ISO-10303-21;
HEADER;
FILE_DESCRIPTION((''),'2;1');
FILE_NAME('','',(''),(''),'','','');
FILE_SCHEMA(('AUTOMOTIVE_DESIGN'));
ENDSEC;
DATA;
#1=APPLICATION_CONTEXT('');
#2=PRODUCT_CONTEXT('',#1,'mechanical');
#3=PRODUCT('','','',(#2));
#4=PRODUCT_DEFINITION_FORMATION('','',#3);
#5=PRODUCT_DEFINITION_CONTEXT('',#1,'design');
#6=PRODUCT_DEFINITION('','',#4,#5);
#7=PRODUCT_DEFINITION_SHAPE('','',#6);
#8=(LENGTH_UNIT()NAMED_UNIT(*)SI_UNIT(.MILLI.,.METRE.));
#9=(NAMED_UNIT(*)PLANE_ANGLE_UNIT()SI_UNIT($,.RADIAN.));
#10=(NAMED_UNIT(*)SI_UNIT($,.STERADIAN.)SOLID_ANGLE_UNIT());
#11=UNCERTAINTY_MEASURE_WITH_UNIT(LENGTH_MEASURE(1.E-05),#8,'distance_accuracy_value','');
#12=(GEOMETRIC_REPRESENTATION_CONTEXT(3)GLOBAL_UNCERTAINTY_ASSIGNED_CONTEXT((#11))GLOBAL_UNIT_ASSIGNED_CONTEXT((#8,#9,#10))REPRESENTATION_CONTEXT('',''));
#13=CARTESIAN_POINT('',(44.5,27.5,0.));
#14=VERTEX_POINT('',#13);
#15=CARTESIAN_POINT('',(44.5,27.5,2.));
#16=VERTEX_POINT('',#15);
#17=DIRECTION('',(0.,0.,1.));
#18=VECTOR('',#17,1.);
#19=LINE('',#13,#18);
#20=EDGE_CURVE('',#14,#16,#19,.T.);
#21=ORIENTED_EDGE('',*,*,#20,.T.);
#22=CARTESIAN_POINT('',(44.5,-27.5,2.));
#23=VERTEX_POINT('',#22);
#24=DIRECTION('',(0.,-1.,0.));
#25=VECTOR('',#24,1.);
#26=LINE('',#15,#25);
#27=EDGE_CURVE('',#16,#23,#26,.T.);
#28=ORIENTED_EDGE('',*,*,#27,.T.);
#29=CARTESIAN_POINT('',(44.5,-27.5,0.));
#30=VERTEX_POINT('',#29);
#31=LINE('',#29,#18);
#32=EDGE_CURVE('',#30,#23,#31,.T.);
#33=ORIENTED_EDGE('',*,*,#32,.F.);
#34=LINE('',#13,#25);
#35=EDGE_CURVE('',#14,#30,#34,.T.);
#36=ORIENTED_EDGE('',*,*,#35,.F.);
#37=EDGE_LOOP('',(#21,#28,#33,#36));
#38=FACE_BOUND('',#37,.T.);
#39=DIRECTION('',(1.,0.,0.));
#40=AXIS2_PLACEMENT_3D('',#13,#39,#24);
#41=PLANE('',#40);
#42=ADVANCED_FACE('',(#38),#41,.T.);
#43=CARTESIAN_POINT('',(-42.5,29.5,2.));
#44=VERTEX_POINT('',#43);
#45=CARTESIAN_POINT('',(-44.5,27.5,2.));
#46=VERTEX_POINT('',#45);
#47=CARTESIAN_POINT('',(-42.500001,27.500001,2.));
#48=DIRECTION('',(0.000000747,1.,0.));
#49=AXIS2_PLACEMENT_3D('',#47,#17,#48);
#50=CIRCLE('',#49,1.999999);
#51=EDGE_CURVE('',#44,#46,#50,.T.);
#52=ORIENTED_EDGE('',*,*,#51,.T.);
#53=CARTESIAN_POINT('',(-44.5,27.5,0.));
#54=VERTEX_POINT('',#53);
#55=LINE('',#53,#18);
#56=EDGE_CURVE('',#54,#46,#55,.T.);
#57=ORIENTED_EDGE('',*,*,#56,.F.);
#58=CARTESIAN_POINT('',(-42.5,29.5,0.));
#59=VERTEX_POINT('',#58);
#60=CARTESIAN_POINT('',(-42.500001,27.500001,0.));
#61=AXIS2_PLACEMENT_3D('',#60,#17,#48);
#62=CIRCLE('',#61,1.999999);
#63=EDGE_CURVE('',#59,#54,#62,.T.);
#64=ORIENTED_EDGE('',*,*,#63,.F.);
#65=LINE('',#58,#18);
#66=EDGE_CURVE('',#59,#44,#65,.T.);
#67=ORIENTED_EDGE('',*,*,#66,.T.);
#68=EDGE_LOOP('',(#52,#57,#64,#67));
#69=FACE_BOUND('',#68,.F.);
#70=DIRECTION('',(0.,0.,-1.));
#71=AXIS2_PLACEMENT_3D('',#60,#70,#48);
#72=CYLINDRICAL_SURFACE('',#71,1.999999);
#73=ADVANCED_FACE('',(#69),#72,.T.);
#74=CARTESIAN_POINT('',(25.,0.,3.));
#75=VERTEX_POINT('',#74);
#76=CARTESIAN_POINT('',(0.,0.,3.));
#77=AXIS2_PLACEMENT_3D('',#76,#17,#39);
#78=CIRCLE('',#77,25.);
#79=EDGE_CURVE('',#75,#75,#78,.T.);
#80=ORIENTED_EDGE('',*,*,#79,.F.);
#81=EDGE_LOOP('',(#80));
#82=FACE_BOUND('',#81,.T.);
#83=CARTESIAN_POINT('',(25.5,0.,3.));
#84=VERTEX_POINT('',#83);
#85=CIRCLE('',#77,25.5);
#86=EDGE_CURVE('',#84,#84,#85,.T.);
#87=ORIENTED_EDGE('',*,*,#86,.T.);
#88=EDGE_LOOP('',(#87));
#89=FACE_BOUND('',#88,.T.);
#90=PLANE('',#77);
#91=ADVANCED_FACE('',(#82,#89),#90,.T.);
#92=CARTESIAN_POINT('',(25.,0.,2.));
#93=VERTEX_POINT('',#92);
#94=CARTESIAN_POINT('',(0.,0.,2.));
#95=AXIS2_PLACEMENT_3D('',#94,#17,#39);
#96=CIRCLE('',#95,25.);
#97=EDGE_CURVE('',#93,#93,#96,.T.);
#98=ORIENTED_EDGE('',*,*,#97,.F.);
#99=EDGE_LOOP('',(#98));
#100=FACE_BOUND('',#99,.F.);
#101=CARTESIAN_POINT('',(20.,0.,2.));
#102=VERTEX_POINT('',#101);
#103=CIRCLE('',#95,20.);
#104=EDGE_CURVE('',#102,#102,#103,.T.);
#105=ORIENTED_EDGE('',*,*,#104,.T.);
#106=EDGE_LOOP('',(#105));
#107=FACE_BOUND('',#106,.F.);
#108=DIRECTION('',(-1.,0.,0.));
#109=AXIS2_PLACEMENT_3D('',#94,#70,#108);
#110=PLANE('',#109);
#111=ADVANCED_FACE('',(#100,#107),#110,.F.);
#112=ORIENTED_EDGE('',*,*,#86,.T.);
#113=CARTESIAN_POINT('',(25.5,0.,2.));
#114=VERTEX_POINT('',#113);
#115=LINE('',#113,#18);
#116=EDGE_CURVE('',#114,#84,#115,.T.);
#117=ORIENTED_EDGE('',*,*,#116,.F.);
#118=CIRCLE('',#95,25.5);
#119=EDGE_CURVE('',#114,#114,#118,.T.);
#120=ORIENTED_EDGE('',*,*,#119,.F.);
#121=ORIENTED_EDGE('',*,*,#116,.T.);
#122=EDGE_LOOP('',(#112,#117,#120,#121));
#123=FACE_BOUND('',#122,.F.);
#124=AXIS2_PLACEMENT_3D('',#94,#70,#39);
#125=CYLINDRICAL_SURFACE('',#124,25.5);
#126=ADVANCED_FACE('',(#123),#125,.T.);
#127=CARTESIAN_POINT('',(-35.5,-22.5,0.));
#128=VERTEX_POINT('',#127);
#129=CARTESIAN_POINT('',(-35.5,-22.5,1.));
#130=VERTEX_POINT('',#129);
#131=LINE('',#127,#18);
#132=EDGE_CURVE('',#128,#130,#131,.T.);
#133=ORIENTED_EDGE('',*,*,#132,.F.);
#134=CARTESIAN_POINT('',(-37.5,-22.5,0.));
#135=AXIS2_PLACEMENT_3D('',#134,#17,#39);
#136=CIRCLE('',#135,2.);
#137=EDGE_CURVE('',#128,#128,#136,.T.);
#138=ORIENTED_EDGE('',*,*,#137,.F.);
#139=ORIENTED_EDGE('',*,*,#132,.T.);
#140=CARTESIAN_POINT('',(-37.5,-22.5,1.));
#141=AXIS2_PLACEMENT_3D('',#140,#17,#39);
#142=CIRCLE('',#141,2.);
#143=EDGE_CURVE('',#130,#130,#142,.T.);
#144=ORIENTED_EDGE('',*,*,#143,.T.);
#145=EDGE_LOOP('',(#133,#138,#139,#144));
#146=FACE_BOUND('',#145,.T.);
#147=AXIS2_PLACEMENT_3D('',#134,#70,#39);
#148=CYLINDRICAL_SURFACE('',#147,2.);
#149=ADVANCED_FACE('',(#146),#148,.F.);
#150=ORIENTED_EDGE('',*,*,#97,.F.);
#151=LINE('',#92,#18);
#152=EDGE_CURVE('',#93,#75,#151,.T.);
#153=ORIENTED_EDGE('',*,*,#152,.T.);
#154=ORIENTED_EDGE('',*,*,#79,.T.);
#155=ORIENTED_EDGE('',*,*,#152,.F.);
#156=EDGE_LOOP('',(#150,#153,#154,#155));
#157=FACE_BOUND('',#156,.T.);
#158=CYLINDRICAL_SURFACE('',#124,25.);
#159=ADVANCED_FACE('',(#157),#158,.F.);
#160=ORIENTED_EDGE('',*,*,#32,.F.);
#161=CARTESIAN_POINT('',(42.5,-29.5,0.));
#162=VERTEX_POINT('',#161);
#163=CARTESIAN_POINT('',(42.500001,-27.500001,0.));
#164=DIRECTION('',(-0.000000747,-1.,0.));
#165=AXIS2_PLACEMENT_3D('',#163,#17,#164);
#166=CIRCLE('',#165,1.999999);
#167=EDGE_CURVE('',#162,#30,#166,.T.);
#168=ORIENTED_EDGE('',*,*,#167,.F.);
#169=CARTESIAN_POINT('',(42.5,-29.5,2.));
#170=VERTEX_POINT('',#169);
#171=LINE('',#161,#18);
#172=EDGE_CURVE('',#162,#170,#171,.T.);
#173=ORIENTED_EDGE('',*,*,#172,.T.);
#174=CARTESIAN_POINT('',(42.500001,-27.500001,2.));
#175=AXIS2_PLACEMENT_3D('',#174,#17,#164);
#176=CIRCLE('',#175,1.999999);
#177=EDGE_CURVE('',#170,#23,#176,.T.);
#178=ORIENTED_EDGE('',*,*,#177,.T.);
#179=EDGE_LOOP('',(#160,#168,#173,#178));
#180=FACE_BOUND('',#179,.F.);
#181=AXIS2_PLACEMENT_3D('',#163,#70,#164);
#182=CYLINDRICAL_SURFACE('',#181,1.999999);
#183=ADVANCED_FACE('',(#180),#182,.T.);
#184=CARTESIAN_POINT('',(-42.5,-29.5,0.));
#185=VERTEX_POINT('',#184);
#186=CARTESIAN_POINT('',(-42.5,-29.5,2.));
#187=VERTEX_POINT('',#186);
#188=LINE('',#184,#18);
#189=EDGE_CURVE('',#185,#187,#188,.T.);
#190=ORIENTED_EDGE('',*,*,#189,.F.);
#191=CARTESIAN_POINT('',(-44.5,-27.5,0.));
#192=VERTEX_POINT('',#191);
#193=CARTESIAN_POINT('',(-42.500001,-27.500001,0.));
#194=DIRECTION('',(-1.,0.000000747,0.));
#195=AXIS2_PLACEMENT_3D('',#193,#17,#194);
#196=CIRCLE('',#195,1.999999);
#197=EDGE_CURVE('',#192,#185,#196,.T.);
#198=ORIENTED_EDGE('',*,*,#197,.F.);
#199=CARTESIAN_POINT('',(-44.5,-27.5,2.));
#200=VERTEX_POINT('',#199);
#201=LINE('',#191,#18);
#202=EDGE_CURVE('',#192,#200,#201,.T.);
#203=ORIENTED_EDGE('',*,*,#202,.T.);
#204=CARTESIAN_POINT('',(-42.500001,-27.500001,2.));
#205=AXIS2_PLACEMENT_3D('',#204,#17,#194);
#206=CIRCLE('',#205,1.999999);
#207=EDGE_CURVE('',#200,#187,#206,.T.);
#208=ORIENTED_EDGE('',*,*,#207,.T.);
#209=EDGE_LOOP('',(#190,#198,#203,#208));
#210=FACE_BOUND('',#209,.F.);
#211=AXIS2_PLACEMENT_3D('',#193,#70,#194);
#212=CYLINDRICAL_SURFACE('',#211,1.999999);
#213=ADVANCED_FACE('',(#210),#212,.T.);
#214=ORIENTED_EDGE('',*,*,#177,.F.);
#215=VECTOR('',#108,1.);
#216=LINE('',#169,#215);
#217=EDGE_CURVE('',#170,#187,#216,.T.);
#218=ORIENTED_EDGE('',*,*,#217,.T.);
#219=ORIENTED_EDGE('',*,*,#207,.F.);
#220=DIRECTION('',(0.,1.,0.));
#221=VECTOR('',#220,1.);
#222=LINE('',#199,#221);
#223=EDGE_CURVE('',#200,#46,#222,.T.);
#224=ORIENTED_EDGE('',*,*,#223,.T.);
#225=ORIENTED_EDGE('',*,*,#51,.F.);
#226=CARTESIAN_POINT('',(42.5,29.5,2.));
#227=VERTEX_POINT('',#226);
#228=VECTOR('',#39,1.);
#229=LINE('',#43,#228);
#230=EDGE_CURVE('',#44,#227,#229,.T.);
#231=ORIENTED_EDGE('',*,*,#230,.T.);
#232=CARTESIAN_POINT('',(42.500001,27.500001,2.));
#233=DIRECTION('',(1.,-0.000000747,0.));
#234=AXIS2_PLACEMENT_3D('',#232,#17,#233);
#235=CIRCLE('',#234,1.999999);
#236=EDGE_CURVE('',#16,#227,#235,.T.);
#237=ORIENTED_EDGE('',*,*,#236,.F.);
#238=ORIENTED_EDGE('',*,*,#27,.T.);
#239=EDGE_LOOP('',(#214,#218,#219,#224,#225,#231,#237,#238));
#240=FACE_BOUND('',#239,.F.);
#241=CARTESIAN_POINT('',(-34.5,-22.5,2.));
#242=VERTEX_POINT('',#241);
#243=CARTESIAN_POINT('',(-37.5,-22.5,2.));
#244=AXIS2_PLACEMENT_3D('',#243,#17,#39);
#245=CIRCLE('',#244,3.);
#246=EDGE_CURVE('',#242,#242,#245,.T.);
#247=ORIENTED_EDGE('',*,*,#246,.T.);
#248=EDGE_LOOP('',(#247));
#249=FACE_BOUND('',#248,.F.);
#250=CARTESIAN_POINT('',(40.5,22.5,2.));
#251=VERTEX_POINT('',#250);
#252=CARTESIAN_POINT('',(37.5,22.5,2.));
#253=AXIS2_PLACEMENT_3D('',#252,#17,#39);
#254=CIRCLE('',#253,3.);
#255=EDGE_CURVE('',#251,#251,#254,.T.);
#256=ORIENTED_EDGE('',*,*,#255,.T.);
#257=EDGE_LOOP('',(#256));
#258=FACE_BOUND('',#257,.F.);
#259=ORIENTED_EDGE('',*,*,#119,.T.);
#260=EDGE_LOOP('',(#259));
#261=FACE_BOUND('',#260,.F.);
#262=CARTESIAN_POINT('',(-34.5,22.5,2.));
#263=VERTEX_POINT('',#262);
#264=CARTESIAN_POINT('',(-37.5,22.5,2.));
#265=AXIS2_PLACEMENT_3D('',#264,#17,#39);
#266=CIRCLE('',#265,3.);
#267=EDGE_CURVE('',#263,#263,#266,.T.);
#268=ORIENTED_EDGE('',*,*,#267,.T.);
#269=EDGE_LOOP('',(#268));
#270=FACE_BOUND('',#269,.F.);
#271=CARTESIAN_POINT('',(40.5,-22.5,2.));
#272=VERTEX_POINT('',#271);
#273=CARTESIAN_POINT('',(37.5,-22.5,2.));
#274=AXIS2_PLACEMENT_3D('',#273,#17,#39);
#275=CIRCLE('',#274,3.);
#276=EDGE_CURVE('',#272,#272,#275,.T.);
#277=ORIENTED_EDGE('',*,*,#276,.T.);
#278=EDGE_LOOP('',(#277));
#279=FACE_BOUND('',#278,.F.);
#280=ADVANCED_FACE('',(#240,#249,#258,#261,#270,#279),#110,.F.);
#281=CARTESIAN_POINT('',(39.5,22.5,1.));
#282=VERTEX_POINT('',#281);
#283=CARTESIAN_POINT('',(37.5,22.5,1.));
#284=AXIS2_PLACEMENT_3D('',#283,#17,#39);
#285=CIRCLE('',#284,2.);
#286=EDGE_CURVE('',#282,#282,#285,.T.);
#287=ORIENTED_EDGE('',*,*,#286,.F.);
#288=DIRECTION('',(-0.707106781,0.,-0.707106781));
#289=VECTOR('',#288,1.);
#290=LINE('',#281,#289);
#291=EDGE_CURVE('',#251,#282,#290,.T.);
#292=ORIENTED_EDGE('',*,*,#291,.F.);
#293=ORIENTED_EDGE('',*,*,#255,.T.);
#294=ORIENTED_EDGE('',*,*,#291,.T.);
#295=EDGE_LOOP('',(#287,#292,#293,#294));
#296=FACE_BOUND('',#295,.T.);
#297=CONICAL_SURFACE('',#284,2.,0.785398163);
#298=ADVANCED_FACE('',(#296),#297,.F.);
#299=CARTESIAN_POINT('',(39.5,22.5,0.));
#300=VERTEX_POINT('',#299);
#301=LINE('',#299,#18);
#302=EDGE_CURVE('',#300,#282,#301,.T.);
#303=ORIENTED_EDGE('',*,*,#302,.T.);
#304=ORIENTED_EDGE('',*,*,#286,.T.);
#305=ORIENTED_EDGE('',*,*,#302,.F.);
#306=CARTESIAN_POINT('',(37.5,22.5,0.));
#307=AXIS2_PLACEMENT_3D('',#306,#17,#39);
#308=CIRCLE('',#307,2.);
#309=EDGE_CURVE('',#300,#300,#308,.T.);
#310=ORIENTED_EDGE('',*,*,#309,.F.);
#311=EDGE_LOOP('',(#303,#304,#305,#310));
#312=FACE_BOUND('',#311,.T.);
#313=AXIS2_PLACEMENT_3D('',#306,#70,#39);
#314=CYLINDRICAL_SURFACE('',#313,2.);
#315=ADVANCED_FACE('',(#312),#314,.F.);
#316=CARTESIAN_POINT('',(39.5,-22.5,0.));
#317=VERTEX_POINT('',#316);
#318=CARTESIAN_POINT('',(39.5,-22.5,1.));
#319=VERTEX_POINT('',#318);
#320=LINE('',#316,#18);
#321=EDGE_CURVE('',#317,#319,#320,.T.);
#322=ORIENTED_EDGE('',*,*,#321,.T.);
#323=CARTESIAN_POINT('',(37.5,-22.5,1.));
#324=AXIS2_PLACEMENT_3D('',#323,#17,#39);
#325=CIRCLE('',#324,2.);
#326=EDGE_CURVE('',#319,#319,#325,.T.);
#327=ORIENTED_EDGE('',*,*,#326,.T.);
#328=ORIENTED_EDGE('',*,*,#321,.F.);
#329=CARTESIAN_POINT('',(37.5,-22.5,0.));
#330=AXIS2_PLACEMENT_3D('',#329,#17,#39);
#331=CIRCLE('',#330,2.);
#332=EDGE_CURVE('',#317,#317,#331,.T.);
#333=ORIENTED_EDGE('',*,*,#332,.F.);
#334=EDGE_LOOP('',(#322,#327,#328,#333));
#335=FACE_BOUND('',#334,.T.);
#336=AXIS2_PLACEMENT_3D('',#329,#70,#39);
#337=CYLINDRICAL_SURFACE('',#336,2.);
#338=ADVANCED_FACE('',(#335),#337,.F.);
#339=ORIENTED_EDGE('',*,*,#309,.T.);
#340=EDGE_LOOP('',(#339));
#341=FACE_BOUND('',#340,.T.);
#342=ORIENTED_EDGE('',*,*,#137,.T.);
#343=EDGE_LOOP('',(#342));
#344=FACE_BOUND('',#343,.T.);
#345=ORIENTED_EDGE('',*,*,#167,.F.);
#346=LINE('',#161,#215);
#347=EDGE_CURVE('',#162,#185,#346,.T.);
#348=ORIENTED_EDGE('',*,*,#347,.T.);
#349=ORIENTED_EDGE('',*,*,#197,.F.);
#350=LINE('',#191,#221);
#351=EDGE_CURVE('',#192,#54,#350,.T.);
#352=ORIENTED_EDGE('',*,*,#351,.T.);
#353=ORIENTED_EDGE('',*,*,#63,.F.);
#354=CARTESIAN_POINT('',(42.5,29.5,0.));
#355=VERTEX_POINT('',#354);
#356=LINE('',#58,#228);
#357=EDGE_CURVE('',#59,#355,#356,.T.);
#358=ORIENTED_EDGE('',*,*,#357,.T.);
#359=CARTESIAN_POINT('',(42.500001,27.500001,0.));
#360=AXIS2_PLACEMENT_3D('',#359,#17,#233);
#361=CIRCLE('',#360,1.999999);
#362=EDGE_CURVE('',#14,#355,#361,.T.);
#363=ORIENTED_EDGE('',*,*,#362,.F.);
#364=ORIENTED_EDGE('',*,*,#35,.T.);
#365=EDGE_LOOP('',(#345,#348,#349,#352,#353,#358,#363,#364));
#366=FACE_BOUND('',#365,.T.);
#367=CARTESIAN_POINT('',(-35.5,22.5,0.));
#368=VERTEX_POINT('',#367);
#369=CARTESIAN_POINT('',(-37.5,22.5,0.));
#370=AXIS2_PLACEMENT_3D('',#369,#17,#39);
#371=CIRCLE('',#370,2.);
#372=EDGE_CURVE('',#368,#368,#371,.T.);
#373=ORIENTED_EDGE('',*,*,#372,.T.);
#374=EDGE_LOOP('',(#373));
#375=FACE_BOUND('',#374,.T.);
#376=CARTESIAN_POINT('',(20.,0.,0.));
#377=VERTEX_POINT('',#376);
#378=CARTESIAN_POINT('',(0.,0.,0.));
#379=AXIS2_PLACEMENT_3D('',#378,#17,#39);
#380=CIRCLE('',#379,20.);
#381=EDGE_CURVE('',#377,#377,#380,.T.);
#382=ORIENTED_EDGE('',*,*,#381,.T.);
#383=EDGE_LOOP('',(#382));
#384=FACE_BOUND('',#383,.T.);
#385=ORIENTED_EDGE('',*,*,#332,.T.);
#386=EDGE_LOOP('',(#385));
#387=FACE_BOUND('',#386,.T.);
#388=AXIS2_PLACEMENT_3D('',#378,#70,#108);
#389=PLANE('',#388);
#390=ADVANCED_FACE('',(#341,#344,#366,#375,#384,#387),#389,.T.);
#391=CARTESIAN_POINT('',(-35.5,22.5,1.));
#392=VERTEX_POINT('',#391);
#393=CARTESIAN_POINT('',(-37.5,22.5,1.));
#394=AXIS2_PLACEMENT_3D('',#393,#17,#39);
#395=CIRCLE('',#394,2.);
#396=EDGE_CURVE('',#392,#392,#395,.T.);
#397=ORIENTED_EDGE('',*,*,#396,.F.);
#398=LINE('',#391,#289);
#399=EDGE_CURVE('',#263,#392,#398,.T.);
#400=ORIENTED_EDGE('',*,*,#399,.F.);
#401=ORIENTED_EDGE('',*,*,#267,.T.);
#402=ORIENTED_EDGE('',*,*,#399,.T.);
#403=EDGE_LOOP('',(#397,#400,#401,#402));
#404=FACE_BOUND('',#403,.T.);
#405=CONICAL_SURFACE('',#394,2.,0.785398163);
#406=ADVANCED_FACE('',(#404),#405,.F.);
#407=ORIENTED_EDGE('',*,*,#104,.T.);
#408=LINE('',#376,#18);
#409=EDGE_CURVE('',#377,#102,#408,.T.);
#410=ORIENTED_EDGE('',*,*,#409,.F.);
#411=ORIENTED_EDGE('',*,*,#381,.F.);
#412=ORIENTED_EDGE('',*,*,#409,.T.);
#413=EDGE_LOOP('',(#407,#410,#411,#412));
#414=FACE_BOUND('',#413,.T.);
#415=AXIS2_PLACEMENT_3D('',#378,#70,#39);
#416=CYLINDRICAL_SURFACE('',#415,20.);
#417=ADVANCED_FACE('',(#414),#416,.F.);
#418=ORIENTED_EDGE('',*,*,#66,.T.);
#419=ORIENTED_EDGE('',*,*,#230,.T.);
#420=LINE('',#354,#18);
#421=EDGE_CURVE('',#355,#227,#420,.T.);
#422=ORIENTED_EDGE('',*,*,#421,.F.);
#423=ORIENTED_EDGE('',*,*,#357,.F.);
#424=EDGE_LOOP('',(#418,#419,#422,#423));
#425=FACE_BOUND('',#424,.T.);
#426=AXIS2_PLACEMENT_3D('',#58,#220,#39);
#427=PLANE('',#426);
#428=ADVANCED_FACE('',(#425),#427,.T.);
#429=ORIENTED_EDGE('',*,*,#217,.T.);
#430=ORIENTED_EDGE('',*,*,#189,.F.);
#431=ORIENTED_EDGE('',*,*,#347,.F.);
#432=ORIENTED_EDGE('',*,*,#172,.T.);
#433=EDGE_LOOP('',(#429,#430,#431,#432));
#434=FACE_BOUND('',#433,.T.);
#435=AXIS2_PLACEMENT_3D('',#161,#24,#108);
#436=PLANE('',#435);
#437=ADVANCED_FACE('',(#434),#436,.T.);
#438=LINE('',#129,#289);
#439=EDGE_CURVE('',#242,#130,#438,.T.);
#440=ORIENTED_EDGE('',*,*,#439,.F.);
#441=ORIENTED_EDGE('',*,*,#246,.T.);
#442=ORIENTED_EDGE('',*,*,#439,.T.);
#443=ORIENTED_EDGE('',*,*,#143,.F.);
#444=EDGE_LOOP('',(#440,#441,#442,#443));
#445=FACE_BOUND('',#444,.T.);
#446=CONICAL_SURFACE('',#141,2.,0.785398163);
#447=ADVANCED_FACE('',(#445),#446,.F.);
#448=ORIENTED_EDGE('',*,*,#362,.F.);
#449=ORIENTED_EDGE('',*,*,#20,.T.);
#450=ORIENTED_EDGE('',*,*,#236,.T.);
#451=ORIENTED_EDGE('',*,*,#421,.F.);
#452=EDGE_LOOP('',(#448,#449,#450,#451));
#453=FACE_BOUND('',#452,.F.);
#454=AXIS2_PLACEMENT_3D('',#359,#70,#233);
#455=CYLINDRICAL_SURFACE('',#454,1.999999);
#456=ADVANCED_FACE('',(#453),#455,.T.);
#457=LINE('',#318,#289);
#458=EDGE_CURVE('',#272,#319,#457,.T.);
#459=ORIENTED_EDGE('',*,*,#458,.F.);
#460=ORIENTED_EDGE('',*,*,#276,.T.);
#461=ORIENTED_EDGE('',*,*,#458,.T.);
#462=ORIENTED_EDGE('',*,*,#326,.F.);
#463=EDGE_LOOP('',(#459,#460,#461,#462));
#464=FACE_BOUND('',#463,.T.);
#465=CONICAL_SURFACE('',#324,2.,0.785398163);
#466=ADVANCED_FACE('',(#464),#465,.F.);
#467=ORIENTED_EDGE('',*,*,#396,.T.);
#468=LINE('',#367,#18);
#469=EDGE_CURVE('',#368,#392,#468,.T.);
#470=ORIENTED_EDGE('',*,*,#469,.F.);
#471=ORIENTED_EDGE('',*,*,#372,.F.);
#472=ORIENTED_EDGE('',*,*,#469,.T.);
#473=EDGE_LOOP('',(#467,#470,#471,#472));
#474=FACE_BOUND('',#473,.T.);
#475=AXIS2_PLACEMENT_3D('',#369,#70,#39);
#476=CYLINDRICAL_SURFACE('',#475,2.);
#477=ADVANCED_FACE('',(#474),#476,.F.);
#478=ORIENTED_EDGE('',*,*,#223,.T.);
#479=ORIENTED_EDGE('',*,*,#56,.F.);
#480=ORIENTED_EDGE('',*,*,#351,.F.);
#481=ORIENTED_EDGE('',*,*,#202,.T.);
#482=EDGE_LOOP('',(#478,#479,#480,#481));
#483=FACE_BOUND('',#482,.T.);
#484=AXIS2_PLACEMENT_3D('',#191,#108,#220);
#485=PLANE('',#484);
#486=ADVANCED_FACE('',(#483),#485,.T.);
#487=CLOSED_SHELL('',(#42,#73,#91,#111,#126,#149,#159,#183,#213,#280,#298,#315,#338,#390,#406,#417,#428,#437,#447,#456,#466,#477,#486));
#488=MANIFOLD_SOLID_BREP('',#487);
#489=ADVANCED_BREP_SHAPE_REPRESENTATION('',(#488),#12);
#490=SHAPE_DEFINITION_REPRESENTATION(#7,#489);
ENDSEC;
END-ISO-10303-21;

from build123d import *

# Parameters (mm, degrees)
SKETCH_R      = 20
SKETCH_R_2    = 2
PAD_DEPTH     = 2
SKETCH001_R   = 25.5
SKETCH001_R_2 = 25
PAD001_DEPTH  = 1
CHAMFER_SIZE  = 1


with BuildPart() as part:
    # Sketch → Pad (new body)
    with BuildSketch(Plane.XY):
        with BuildLine():
            Line((-42.5, 29.5), (42.5, 29.5))
            ThreePointArc((44.5, 27.5), (43.914214, 28.914214), (42.5, 29.5))
            Line((44.5, 27.5), (44.5, -27.5))
            ThreePointArc((42.5, -29.5), (43.914214, -28.914214), (44.5, -27.5))
            Line((42.5, -29.5), (-42.5, -29.5))
            ThreePointArc((-44.5, -27.5), (-43.914214, -28.914214), (-42.5, -29.5))
            Line((-44.5, -27.5), (-44.5, 27.5))
            ThreePointArc((-42.5, 29.5), (-43.914214, 28.914214), (-44.5, 27.5))
        make_face()
        Circle(SKETCH_R, mode=Mode.SUBTRACT)
        with Locations((-37.5, 22.5)):
            Circle(SKETCH_R_2, mode=Mode.SUBTRACT)
        with Locations((-37.5, -22.5)):
            Circle(SKETCH_R_2, mode=Mode.SUBTRACT)
        with Locations((37.5, 22.5)):
            Circle(SKETCH_R_2, mode=Mode.SUBTRACT)
        with Locations((37.5, -22.5)):
            Circle(SKETCH_R_2, mode=Mode.SUBTRACT)
    extrude(amount=PAD_DEPTH)

    # Sketch001 → Pad001 (join)
    with BuildSketch(Plane.XY.offset(2)):
        Circle(SKETCH001_R)
        Circle(SKETCH001_R_2, mode=Mode.SUBTRACT)
    extrude(amount=PAD001_DEPTH)

    # Chamfer
    chamfer_edges = [part.edges().sort_by_distance(p)[0] for p in [
        (-39.5, 22.5, 2),
        (-39.5, -22.5, 2),
        (35.5, 22.5, 2),
        (35.5, -22.5, 2),
    ]]
    chamfer(chamfer_edges, length=CHAMFER_SIZE)


solid = part.part
